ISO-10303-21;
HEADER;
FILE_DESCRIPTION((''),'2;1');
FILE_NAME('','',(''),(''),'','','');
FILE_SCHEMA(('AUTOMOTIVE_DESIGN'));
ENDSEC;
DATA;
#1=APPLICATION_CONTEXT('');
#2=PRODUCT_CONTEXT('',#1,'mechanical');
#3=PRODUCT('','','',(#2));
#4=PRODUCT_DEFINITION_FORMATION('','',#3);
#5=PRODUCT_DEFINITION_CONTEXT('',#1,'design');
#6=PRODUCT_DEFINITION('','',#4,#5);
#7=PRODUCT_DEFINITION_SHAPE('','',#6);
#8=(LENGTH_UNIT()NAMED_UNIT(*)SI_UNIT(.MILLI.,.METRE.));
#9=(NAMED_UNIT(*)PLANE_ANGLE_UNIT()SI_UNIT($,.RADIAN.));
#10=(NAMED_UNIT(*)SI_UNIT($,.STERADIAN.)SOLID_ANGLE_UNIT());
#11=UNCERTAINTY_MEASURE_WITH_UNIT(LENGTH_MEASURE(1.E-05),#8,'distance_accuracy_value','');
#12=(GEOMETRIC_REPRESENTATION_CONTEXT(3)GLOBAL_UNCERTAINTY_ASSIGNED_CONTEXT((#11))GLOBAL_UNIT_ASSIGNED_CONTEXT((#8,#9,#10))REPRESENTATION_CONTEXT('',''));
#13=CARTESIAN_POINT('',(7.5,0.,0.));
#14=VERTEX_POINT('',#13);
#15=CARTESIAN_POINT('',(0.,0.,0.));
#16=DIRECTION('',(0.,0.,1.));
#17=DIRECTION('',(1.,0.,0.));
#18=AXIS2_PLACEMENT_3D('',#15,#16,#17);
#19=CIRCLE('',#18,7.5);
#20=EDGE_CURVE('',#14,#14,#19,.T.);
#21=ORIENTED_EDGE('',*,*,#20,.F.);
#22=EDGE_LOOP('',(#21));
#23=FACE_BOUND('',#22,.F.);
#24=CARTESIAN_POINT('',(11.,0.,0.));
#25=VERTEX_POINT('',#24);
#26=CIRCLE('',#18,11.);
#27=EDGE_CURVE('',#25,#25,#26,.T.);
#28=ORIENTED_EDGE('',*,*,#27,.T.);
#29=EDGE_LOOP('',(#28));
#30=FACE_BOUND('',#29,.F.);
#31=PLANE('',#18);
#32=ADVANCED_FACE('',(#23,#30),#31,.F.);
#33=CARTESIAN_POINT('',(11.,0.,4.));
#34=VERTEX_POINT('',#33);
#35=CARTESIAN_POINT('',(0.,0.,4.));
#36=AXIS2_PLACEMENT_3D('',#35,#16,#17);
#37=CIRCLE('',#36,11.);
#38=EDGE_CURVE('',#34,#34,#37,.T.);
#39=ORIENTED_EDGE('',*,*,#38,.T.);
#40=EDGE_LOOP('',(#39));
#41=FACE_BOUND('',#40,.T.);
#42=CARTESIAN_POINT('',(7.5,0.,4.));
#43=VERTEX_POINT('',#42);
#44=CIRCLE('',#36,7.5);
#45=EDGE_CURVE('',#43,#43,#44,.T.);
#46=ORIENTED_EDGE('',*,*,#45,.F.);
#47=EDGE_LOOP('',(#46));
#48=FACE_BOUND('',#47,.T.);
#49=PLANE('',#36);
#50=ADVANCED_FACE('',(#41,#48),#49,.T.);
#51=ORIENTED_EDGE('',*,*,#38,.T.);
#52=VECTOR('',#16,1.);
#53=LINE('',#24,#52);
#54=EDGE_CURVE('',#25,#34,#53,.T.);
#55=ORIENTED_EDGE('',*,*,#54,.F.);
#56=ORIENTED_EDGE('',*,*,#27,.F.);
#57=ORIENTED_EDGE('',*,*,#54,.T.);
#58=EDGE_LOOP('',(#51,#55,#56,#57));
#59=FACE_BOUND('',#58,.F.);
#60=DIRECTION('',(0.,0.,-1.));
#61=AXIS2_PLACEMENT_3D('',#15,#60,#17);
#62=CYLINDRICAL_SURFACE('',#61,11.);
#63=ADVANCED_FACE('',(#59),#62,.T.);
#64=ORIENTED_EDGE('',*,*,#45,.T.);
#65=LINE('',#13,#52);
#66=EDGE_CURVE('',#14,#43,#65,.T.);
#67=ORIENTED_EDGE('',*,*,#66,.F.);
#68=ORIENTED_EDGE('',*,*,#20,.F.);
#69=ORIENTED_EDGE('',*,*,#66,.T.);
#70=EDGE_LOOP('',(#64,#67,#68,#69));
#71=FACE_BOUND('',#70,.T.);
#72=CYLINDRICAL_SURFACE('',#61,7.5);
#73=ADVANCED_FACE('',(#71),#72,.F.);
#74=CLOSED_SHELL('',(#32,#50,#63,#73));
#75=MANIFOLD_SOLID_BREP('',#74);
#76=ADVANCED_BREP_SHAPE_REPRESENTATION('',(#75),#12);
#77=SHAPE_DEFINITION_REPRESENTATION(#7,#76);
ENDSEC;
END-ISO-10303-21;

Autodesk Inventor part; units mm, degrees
ref_plane "YZ Plane" through (0, 0, 0) normal (1, 0, 0) x (0, 1, 0)
ref_plane "XZ Plane" through (0, 0, 0) normal (0, 1, 0) x (-1, 0, 0)
ref_plane "XY Plane" through (0, 0, 0) normal (0, 0, 1) x (1, 0, 0)
sketch "Sketch1" plane through (0, 0, 0) normal (0, 0, 1) x (1, 0, 0)
  circle A0 centre (0, 0) radius 11
  circle A1 centre (0, 0) radius 7.5
  dimension "d0" = 22
  dimension "d1" = 15
extrude "Extrusion1" add sketch "Sketch1" along normal blind 4
properties part number "dystans łożyska"
